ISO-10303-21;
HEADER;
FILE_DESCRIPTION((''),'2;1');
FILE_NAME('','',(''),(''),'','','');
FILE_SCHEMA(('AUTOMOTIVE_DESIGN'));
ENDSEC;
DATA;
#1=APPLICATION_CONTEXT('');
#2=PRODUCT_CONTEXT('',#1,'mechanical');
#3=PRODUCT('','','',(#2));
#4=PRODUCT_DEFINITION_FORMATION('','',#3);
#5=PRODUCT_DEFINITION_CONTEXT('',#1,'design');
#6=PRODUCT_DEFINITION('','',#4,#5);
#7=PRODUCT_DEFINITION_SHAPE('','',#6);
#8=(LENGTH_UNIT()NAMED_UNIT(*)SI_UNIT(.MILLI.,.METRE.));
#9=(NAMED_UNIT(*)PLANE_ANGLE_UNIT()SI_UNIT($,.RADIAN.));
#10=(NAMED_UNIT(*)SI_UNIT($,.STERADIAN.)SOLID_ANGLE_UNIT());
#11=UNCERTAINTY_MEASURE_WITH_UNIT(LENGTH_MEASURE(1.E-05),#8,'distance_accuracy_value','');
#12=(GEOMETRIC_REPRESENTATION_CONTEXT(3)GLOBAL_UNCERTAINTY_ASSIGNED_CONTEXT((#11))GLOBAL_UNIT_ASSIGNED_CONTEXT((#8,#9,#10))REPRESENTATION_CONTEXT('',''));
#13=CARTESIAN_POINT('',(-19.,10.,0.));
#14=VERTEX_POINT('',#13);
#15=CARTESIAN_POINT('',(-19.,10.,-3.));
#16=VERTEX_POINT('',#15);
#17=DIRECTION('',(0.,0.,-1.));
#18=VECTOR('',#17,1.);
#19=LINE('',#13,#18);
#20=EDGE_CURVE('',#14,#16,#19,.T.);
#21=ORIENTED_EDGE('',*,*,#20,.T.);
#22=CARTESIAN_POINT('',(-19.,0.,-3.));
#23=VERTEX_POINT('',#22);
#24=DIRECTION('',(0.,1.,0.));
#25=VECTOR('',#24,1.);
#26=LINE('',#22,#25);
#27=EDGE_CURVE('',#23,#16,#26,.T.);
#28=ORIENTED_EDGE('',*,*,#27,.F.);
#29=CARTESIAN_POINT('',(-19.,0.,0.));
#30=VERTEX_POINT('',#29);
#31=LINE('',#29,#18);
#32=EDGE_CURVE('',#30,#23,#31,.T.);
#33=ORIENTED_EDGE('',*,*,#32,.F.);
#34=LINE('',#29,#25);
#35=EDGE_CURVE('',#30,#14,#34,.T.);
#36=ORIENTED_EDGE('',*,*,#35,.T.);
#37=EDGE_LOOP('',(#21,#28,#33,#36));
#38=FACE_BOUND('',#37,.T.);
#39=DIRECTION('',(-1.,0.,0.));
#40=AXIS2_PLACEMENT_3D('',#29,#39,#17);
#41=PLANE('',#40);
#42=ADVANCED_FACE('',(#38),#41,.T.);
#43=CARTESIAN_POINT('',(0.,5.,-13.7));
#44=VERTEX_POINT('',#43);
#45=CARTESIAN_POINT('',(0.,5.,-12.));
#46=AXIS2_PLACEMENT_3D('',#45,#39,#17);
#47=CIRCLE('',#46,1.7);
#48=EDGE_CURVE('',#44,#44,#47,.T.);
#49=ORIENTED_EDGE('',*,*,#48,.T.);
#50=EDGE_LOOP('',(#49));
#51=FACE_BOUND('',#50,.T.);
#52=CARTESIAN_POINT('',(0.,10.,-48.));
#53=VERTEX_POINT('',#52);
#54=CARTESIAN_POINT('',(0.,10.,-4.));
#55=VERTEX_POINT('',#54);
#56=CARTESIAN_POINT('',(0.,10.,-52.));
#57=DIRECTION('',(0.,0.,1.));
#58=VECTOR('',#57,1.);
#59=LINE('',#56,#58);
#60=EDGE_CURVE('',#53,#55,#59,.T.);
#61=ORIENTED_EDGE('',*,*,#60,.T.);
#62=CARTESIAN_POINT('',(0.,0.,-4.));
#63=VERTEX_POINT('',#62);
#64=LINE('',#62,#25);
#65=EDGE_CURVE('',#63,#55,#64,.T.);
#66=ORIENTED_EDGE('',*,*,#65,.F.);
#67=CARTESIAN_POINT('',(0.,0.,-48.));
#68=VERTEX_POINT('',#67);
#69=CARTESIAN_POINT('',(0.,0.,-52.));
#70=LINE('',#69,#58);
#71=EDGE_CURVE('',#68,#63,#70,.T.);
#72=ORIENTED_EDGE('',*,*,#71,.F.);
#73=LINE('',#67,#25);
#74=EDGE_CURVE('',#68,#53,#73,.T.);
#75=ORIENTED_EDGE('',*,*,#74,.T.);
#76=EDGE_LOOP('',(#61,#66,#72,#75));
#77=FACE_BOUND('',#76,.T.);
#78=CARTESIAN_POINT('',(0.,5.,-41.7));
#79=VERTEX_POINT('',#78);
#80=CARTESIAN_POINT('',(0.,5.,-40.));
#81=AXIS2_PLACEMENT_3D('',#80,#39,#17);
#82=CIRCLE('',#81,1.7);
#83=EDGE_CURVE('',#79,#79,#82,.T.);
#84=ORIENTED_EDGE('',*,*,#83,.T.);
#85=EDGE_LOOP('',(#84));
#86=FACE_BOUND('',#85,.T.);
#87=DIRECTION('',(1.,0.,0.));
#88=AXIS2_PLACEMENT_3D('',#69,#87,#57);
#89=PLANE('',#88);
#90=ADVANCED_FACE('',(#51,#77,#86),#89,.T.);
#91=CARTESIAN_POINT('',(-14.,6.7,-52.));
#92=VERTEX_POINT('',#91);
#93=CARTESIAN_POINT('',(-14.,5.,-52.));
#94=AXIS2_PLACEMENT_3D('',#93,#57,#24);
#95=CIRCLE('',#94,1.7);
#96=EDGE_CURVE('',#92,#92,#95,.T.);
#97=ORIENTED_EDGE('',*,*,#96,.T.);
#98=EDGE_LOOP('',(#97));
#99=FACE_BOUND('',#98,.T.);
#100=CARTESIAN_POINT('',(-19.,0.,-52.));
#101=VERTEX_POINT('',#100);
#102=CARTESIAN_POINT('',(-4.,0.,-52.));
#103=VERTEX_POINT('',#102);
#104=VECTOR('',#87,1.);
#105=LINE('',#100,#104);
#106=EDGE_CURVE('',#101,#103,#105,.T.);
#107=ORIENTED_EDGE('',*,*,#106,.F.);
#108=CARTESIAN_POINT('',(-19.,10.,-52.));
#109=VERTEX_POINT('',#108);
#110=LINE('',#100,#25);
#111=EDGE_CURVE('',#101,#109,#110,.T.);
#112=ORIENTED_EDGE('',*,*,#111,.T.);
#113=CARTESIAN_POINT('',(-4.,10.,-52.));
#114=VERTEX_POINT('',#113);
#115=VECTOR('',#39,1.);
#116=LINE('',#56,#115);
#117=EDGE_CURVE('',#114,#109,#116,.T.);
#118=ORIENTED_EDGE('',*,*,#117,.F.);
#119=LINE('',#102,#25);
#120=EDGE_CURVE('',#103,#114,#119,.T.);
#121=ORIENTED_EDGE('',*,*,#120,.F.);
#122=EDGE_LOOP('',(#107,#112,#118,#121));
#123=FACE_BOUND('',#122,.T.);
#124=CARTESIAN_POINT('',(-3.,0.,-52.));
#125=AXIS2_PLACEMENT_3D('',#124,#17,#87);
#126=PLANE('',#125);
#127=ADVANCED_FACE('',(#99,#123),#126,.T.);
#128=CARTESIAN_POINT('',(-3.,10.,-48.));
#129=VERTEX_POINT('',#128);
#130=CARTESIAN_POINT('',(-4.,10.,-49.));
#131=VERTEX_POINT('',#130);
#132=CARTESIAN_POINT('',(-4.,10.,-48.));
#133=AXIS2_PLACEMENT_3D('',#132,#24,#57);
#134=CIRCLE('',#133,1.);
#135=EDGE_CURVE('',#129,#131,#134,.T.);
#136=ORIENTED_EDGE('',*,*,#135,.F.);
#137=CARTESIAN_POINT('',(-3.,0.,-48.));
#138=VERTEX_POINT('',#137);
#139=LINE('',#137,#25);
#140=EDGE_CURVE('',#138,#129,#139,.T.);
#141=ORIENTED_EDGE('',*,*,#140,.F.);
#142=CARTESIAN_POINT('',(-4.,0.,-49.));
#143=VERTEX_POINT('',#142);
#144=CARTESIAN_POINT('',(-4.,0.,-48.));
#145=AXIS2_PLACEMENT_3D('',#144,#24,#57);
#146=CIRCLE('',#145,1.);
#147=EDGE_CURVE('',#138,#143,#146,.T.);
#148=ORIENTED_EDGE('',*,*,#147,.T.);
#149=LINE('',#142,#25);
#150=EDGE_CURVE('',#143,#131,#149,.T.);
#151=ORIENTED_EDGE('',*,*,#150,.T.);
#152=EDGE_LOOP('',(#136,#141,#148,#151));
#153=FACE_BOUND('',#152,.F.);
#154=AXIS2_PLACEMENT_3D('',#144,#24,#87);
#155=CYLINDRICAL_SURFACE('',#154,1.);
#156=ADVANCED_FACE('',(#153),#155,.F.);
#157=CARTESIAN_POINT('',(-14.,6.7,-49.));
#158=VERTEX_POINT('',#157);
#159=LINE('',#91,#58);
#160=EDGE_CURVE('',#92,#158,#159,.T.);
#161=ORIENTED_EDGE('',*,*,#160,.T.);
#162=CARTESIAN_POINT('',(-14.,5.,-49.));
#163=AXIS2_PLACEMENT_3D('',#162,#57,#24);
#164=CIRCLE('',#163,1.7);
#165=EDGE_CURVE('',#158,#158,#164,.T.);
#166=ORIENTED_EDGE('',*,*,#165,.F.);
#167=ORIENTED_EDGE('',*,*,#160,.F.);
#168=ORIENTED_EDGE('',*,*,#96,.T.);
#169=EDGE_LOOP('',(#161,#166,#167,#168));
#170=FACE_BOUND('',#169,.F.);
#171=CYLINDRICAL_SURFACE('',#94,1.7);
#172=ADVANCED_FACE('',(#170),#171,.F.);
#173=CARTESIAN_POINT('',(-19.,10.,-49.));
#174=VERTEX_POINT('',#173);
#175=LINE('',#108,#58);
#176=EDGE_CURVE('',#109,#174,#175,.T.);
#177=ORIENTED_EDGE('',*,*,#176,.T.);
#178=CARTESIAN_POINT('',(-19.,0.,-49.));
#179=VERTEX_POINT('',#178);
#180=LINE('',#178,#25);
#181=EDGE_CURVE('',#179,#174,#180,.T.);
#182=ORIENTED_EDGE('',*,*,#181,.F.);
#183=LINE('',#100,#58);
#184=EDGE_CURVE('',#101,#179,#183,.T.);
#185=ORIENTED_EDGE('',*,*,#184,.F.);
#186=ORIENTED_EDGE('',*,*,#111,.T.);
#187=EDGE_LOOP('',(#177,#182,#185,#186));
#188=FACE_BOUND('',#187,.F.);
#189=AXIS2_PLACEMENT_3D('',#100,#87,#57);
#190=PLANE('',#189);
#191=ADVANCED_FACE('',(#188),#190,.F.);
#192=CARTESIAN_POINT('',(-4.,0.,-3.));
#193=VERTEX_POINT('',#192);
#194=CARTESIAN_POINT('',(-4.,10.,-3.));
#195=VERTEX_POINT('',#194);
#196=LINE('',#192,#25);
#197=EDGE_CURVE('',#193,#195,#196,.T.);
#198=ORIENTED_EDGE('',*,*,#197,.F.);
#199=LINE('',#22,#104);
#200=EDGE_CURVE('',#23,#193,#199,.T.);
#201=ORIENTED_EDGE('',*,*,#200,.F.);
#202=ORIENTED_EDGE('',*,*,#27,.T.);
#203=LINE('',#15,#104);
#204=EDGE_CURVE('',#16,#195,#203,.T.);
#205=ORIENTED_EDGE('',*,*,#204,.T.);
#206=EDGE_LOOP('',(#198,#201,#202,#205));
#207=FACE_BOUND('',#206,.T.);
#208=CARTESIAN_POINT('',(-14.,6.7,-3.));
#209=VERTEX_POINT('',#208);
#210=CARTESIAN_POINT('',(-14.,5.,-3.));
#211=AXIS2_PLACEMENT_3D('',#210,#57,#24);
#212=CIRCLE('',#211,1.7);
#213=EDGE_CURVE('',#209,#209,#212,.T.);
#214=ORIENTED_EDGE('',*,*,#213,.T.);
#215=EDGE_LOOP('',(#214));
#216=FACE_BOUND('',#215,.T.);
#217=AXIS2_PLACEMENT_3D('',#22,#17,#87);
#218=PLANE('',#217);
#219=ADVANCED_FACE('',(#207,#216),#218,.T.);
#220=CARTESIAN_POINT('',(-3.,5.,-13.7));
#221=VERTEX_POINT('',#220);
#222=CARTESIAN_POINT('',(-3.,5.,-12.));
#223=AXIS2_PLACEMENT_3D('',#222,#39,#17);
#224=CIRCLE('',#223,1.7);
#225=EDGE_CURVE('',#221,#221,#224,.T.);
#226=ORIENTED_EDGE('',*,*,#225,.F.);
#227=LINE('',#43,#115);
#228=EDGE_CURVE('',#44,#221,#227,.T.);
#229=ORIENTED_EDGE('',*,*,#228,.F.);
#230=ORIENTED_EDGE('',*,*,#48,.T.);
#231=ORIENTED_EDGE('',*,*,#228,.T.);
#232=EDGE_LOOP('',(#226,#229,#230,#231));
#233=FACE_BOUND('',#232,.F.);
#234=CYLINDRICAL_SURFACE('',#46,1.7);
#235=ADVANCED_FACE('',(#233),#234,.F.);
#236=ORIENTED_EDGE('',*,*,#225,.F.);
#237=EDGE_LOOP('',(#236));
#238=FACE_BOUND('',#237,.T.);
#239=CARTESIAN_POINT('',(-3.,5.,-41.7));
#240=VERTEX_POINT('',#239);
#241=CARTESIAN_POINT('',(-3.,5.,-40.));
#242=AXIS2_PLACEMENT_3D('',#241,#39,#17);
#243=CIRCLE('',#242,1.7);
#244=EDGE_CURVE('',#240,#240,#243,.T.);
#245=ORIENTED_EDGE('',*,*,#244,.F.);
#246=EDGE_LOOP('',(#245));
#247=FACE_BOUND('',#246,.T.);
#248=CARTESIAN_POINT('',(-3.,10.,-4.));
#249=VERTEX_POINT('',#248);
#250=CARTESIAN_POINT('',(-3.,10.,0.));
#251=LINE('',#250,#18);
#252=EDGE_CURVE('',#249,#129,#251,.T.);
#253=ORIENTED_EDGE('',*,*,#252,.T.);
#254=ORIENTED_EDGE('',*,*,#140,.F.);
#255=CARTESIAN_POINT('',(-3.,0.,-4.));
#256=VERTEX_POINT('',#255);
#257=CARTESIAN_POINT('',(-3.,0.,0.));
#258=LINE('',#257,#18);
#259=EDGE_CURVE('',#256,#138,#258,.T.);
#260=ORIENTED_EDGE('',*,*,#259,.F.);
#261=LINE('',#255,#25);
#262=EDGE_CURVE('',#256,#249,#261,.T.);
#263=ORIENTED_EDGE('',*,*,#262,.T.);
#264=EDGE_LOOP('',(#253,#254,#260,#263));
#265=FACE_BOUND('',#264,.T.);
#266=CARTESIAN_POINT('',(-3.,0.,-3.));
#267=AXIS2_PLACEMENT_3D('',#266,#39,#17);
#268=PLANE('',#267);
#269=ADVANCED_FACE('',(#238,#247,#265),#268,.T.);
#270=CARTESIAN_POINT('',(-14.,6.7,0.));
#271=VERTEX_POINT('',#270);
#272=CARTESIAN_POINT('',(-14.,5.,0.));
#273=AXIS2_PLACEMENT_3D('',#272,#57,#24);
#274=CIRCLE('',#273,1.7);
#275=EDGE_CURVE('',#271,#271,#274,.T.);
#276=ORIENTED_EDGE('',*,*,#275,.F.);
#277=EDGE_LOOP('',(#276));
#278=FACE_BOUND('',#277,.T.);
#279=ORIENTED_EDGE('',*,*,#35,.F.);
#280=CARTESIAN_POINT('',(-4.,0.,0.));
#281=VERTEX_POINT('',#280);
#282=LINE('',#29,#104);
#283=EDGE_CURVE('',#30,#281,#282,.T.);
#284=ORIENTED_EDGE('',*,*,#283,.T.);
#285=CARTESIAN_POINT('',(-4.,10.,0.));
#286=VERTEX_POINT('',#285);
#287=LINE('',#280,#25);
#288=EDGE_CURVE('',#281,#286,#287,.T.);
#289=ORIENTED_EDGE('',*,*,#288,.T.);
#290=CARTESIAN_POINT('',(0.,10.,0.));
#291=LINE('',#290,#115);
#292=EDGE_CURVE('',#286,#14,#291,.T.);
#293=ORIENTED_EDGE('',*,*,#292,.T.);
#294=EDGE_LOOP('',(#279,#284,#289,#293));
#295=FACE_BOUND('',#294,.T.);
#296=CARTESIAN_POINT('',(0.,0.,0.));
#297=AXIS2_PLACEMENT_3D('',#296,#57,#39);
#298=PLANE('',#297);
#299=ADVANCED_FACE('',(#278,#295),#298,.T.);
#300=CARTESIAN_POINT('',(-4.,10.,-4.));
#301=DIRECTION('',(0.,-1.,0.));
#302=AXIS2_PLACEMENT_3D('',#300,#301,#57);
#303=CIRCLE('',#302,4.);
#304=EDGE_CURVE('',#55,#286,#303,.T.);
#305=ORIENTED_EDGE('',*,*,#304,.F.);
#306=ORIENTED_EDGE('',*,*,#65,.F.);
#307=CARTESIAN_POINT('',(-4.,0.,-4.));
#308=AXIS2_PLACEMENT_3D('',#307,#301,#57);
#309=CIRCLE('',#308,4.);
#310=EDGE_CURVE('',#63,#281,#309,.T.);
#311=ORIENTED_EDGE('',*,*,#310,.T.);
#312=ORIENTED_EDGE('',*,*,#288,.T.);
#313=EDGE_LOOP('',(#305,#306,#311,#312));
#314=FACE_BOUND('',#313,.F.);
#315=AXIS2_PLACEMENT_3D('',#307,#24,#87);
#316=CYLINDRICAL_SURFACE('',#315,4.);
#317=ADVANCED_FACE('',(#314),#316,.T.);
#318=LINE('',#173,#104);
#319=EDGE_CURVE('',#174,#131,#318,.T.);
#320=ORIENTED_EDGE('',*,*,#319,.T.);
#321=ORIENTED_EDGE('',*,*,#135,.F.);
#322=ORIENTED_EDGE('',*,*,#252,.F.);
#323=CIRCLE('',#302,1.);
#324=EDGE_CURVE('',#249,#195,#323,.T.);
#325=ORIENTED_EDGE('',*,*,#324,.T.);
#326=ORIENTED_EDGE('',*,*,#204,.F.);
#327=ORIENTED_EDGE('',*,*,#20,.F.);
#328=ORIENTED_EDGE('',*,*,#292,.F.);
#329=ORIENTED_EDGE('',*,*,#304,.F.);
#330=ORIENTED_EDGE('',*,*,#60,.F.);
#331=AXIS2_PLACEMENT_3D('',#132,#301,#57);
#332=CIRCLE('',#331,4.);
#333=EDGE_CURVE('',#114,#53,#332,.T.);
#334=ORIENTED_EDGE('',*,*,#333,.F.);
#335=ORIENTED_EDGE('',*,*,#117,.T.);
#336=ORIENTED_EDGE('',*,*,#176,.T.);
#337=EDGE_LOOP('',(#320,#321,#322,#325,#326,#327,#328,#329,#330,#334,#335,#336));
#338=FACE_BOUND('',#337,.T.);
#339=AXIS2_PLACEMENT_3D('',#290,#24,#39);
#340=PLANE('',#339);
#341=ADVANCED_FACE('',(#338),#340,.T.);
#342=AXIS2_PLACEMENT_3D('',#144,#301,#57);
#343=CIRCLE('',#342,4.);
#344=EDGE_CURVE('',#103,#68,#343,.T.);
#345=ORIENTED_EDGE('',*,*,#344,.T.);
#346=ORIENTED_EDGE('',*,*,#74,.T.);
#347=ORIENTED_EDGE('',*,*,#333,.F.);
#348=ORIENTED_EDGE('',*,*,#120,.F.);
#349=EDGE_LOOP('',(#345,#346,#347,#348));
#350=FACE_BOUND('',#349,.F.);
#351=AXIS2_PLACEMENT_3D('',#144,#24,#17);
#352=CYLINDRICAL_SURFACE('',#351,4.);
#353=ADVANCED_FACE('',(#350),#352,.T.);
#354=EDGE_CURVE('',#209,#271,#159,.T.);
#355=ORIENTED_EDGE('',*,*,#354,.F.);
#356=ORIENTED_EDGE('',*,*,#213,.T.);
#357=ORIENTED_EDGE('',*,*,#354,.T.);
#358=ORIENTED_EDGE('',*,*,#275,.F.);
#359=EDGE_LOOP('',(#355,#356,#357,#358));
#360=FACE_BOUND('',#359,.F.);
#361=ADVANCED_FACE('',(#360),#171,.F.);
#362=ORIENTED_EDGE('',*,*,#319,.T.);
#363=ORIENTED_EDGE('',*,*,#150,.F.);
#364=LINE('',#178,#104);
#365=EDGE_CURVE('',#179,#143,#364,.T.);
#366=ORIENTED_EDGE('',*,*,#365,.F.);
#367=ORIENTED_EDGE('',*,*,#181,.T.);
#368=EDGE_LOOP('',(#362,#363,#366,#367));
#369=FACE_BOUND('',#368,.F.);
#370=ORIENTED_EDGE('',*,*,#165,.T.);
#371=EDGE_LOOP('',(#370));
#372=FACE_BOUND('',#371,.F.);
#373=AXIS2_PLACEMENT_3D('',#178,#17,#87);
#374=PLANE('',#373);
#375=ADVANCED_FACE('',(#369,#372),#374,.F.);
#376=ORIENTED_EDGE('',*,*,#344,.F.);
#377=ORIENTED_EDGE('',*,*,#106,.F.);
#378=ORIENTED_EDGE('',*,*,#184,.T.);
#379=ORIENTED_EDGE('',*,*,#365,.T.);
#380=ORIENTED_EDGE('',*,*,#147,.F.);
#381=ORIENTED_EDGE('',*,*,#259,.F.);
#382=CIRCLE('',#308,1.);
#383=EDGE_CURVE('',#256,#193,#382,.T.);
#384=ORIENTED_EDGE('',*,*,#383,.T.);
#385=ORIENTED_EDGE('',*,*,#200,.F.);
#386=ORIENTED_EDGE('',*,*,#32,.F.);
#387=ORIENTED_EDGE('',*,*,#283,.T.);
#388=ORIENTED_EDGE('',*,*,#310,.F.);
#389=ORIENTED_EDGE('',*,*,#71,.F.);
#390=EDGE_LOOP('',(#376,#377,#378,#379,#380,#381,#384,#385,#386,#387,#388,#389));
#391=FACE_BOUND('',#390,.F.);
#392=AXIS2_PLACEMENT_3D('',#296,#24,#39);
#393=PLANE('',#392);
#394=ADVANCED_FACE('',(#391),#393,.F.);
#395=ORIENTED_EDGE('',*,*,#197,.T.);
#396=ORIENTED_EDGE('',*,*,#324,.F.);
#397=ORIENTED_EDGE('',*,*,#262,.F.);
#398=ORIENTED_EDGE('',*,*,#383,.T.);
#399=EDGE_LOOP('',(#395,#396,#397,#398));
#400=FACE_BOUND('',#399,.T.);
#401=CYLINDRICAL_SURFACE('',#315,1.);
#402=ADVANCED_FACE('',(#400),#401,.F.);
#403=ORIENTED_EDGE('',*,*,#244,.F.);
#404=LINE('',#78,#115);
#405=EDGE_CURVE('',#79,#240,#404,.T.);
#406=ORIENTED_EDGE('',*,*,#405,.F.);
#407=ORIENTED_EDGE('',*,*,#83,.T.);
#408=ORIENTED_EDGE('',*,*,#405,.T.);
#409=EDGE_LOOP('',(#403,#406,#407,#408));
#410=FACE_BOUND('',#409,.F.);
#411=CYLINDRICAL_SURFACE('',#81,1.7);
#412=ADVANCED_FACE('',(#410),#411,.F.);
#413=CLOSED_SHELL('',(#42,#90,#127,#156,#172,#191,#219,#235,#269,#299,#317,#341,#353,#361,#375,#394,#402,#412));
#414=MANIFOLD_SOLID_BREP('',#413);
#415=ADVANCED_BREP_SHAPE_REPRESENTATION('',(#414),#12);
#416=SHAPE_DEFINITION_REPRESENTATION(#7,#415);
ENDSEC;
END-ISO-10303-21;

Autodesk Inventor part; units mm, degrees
ref_plane "YZ Plane" through (0, 0, 0) normal (1, 0, 0) x (0, 1, 0)
ref_plane "XZ Plane" through (0, 0, 0) normal (0, 1, 0) x (-1, 0, 0)
ref_plane "XY Plane" through (0, 0, 0) normal (0, 0, 1) x (1, 0, 0)
sketch "Sketch1" plane through (0, 0, 0) normal (0, 1, 0) x (-1, 0, 0)
  line L0 (0, 0) -> (3, 0)
  line L1 (3, 0) -> (3, -52)
  line L2 (3, -52) -> (0, -52)
  line L3 (0, -52) -> (0, 0)
  line L4 (3, -52) -> (19, -52)
  line L5 (19, -52) -> (19, -49)
  line L6 (19, -49) -> (3, -49)
  line L7 (3, -49) -> (3, -52)
  line L8 (3, 0) -> (19, 0)
  line L9 (19, 0) -> (19, -3)
  line L10 (19, -3) -> (3, -3)
  line L11 (3, -3) -> (3, 0)
  dimension "d0" = 3
  dimension "d1" = 3
  dimension "d2" = 3
  dimension "d3" = 46
  dimension "d4" = 16
extrude "Extrusion1" add sketch "Sketch1" along normal blind 10
fillet "Fillet1" radius 1 2 edges at (-3, 5, -49) (-3, 5, -3)
fillet "Fillet2" radius 4 2 edges at (0, 5, -52) (0, 5, 0)
sketch "Sketch2" plane through (-19, 0, -52) normal (0, 0, -1) x (-1, 0, 0)
  line L0 (-15, 10) -> (0, 10) projected
  line L1 (0, 0) -> (0, 10) projected
  point P0 (-19, 0)
  point P1 (-5, 5)
  dimension "d9" = 5
  dimension "d10" = 5
hole "Hole1" at (-14, 5, -52) direction (0, 0, 1) diameter 3.4 end through all clearance for "Flat Head Machine Screw" size "M3" standard "Ansi Metric M Profile"
sketch "Sketch3" plane through (0, 0, -4) normal (1, 0, 0) x (0, 0, -1)
  line L0 (44, 10) -> (44, 0) projected
  point P0 (-4, 0)
  point P1 (8, 5)
  point P2 (36, 5)
  point P3 (44, 5)
  point P4 (45, 10)
  point P5 (-1, 10)
  dimension "d18" = 9
  dimension "d19" = 9
hole "Hole2" at (0, 5, -12) at (0, 5, -40) direction (-1, 0, 0) diameter 3.4 end through all clearance for "Flat Head Machine Screw" size "M3" standard "Ansi Metric M Profile"
equation "\"d1\" = d0"
equation "\"d2\" = d0"
equation "\"d19\" = d18"
properties part number "Top_End Stopper" material "Aluminum 6061"
